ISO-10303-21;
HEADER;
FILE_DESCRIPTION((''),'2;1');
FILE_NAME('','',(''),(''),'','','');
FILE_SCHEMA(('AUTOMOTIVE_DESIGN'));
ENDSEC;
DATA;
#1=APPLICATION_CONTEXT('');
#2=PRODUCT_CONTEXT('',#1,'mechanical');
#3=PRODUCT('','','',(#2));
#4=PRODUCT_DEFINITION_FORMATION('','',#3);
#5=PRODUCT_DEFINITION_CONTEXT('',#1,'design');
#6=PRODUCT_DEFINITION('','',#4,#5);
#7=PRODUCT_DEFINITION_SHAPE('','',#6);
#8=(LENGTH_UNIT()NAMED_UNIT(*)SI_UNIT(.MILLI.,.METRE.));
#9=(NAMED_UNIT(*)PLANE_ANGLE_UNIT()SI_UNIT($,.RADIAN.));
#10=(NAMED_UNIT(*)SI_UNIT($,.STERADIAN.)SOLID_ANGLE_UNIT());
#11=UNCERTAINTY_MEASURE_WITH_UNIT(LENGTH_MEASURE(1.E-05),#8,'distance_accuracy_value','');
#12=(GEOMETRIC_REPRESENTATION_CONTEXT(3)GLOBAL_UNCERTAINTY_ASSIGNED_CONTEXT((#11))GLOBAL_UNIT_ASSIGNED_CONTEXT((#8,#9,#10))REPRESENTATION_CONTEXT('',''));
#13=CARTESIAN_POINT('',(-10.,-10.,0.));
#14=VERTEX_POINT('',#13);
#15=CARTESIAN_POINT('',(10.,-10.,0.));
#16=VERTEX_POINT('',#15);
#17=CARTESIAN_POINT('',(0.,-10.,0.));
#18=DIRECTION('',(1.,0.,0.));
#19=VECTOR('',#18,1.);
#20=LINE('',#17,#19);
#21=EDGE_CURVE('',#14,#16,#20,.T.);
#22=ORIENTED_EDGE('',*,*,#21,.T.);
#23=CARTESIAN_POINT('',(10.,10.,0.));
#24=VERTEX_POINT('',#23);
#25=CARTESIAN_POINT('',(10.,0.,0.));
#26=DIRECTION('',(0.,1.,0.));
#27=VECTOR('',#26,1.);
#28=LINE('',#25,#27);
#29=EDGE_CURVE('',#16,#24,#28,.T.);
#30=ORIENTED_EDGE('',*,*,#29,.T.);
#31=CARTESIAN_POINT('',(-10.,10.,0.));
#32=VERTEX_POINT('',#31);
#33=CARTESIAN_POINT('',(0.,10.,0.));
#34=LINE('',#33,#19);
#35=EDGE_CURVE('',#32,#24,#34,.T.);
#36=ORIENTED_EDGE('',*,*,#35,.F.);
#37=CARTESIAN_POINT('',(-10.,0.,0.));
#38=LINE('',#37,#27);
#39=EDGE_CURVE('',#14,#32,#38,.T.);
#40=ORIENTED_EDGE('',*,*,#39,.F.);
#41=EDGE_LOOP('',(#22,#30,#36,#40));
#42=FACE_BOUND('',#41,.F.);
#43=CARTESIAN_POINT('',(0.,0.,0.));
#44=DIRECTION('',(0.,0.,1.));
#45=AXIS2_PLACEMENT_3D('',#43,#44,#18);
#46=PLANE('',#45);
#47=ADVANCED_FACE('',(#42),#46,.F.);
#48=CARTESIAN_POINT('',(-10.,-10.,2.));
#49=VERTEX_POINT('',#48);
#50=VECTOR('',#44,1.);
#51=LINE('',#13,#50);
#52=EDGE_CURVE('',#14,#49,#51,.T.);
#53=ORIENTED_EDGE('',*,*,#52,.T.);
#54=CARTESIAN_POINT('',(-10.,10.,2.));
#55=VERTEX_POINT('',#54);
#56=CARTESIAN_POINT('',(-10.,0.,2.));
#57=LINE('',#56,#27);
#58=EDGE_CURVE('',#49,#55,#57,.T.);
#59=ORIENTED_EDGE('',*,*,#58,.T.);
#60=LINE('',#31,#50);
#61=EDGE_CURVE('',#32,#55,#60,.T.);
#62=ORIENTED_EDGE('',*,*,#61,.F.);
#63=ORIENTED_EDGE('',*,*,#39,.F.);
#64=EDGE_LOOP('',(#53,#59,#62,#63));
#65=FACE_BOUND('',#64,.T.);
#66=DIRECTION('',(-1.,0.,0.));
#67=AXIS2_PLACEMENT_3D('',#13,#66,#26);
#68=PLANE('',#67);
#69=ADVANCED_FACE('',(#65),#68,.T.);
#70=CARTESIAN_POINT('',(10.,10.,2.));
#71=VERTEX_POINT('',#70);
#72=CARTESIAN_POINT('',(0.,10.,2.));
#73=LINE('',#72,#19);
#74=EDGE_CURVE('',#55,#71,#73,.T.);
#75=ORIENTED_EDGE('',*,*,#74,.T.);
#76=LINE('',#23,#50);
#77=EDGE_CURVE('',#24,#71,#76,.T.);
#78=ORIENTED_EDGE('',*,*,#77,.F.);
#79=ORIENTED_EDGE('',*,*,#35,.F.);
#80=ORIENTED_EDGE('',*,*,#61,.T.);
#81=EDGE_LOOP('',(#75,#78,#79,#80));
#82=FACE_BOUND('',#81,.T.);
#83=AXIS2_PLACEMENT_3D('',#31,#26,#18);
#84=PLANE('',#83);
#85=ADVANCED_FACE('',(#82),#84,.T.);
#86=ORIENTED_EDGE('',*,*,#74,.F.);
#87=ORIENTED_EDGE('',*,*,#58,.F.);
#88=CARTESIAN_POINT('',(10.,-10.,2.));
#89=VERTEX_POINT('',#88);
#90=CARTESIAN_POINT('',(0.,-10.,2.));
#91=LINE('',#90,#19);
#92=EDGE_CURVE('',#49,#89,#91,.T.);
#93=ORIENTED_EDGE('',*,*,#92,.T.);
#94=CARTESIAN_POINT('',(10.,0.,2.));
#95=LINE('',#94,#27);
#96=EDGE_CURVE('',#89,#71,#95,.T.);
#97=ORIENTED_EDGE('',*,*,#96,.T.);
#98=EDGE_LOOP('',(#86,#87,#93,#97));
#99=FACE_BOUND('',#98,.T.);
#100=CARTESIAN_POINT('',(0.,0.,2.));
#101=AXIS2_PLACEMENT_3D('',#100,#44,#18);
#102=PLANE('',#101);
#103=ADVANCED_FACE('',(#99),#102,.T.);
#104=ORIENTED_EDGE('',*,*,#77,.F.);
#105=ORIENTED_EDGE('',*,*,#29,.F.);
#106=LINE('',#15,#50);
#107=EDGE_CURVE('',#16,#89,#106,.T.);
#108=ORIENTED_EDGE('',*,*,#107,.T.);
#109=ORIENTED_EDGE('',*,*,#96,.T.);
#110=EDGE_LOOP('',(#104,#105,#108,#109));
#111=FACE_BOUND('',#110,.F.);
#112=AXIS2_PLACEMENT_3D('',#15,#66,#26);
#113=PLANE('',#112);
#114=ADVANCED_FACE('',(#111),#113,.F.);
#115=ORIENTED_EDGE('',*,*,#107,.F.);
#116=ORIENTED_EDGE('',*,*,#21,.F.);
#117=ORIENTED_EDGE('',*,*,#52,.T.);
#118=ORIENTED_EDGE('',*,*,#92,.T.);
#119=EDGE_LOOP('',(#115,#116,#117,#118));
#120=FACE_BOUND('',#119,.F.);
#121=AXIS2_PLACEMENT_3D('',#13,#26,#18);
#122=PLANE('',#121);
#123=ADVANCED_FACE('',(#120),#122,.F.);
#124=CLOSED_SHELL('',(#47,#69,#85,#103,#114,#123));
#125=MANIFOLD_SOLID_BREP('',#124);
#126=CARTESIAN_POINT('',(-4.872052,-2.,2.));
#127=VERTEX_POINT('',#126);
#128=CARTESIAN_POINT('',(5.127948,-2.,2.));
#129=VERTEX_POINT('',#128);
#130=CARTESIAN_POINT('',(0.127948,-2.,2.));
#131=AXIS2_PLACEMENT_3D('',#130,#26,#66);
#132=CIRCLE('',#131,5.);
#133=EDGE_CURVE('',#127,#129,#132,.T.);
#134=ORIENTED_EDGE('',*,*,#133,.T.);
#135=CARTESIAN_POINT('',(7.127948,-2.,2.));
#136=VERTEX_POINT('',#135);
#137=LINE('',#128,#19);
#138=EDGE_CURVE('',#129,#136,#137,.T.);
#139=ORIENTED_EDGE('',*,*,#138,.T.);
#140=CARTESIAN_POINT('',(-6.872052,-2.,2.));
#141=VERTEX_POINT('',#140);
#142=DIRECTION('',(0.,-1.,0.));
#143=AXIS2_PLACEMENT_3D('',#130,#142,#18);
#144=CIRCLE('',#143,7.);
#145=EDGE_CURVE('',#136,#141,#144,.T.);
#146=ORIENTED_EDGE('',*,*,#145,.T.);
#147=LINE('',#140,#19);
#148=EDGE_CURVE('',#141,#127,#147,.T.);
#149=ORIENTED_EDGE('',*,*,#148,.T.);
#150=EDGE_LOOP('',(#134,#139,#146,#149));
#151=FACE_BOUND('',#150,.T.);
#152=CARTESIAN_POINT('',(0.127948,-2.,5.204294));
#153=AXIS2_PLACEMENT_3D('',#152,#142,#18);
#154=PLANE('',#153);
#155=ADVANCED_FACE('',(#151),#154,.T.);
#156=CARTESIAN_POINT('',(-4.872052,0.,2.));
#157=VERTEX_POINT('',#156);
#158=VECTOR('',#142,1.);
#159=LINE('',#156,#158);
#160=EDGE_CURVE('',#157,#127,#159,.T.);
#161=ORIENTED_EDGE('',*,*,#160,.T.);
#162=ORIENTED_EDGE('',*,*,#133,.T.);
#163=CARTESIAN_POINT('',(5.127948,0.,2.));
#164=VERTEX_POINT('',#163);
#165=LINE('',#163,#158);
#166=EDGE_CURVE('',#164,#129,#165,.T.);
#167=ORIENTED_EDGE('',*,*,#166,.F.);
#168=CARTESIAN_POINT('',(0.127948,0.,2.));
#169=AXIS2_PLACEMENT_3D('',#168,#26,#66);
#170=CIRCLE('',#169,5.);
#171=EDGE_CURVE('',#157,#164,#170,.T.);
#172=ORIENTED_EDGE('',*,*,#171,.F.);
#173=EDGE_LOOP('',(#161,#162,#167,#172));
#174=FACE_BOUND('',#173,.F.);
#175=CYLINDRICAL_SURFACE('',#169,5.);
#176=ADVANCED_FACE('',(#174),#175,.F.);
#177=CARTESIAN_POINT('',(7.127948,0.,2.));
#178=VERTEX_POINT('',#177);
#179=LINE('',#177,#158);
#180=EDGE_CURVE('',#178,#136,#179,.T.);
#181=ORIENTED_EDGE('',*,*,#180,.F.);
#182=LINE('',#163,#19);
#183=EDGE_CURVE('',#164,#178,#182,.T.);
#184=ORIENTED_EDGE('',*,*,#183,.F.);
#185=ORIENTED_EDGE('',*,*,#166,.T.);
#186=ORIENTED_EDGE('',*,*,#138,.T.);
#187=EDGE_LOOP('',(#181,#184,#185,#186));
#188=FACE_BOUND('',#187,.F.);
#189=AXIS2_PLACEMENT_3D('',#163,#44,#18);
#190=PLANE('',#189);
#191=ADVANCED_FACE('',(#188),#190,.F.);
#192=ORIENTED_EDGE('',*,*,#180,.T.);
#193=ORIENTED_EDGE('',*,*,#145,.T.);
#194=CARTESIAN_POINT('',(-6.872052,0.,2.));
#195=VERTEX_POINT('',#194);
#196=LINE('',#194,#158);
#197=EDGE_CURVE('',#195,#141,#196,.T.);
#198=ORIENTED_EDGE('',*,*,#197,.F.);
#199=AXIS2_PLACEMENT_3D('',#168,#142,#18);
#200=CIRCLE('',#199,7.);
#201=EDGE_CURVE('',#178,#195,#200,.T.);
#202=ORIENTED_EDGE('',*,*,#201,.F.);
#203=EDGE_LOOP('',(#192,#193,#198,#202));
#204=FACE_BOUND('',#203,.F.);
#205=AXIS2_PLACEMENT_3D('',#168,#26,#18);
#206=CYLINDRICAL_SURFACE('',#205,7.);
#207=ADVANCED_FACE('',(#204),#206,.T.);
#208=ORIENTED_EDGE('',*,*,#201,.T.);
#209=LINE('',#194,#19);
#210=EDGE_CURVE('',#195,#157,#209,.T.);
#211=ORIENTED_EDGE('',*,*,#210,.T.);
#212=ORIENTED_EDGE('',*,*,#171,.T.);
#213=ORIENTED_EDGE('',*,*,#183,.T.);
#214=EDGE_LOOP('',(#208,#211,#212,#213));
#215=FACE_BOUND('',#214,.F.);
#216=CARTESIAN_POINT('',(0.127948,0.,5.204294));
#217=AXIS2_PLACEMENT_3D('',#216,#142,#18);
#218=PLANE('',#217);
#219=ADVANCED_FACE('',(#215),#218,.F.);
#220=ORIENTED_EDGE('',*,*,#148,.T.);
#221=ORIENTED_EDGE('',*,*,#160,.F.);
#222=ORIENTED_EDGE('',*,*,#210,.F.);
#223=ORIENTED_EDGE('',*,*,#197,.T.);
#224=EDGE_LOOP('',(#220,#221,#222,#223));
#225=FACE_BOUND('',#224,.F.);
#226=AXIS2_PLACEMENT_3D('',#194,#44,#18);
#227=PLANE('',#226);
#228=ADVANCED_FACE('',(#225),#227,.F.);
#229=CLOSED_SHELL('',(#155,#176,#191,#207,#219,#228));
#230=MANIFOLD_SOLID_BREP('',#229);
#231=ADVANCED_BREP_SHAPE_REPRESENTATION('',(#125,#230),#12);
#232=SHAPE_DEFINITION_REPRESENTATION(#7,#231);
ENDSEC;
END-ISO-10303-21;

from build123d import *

# Parameters (mm, degrees)
F0_W     = 20
F0_H     = 20
F2_DEPTH = 2
F3_DEPTH = 2


with BuildPart() as f2:
    # F0 (on Top) → F2 (new body)
    with BuildSketch(Plane.XY):
        Rectangle(F0_W, F0_H)
    extrude(amount=F2_DEPTH)


with BuildPart() as f3:
    # F1 (on Front) → F3 (new body)
    with BuildSketch(Plane.XZ):
        with BuildLine():
            ThreePointArc((-4.872052, 2), (0.127948, 7), (5.127948, 2))
            Line((5.127948, 2), (7.127948, 2))
            ThreePointArc((7.127948, 2), (0.127948, 9), (-6.872052, 2))
            Line((-6.872052, 2), (-4.872052, 2))
        make_face()
    extrude(amount=F3_DEPTH)


solid = Compound([f2.part, f3.part])
